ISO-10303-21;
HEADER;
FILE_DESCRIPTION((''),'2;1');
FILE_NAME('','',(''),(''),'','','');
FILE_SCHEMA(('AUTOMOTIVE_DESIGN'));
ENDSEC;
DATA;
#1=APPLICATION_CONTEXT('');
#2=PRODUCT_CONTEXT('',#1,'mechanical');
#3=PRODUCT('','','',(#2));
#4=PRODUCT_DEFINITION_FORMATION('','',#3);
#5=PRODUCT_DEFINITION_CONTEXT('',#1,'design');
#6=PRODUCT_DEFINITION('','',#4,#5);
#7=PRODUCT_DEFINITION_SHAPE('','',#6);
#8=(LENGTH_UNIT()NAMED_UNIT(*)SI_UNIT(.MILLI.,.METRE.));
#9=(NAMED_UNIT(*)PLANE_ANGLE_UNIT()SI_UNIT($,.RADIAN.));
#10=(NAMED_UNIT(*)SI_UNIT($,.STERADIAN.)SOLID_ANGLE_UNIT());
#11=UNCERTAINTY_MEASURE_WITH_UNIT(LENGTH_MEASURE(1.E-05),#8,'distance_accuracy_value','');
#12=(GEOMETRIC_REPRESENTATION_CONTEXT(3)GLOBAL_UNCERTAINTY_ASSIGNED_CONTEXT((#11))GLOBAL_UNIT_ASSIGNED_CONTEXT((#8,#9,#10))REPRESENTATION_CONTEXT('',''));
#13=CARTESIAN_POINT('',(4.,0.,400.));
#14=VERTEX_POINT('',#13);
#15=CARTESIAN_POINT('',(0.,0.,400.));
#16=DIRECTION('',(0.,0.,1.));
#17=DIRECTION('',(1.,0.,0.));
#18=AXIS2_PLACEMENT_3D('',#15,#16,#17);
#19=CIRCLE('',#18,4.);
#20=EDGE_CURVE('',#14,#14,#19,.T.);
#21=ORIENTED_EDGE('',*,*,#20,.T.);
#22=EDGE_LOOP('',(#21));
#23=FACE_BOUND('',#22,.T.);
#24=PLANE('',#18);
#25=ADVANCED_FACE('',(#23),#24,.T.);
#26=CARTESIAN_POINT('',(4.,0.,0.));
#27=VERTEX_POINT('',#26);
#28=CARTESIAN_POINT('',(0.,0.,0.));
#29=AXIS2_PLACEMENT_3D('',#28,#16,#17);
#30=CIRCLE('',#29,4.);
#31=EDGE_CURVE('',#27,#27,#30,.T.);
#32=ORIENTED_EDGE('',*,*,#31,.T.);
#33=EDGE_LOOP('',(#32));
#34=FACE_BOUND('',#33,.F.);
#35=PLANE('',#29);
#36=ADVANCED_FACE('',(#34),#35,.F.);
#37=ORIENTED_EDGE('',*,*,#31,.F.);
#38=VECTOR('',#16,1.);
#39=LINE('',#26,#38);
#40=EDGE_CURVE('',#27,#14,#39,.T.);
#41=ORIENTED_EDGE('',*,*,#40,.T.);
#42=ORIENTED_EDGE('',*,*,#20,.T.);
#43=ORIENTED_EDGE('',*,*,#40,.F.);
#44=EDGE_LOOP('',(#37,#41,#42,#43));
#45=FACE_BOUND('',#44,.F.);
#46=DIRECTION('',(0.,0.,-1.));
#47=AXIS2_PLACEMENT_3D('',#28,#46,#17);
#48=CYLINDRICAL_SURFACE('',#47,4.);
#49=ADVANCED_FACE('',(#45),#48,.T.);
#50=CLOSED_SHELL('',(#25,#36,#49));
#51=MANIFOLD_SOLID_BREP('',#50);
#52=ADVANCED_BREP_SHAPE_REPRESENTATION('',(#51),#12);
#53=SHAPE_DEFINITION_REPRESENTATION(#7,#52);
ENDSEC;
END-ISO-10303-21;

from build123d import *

# Parameters (mm, degrees)
ESQUISSE1_R        = 4
BOSS_EXTRU_1_DEPTH = 400


with BuildPart() as part:
    # Esquisse1 → Boss.-Extru.1 (new body)
    with BuildSketch(Plane.XY):
        Circle(ESQUISSE1_R)
    extrude(amount=BOSS_EXTRU_1_DEPTH)


solid = part.part
